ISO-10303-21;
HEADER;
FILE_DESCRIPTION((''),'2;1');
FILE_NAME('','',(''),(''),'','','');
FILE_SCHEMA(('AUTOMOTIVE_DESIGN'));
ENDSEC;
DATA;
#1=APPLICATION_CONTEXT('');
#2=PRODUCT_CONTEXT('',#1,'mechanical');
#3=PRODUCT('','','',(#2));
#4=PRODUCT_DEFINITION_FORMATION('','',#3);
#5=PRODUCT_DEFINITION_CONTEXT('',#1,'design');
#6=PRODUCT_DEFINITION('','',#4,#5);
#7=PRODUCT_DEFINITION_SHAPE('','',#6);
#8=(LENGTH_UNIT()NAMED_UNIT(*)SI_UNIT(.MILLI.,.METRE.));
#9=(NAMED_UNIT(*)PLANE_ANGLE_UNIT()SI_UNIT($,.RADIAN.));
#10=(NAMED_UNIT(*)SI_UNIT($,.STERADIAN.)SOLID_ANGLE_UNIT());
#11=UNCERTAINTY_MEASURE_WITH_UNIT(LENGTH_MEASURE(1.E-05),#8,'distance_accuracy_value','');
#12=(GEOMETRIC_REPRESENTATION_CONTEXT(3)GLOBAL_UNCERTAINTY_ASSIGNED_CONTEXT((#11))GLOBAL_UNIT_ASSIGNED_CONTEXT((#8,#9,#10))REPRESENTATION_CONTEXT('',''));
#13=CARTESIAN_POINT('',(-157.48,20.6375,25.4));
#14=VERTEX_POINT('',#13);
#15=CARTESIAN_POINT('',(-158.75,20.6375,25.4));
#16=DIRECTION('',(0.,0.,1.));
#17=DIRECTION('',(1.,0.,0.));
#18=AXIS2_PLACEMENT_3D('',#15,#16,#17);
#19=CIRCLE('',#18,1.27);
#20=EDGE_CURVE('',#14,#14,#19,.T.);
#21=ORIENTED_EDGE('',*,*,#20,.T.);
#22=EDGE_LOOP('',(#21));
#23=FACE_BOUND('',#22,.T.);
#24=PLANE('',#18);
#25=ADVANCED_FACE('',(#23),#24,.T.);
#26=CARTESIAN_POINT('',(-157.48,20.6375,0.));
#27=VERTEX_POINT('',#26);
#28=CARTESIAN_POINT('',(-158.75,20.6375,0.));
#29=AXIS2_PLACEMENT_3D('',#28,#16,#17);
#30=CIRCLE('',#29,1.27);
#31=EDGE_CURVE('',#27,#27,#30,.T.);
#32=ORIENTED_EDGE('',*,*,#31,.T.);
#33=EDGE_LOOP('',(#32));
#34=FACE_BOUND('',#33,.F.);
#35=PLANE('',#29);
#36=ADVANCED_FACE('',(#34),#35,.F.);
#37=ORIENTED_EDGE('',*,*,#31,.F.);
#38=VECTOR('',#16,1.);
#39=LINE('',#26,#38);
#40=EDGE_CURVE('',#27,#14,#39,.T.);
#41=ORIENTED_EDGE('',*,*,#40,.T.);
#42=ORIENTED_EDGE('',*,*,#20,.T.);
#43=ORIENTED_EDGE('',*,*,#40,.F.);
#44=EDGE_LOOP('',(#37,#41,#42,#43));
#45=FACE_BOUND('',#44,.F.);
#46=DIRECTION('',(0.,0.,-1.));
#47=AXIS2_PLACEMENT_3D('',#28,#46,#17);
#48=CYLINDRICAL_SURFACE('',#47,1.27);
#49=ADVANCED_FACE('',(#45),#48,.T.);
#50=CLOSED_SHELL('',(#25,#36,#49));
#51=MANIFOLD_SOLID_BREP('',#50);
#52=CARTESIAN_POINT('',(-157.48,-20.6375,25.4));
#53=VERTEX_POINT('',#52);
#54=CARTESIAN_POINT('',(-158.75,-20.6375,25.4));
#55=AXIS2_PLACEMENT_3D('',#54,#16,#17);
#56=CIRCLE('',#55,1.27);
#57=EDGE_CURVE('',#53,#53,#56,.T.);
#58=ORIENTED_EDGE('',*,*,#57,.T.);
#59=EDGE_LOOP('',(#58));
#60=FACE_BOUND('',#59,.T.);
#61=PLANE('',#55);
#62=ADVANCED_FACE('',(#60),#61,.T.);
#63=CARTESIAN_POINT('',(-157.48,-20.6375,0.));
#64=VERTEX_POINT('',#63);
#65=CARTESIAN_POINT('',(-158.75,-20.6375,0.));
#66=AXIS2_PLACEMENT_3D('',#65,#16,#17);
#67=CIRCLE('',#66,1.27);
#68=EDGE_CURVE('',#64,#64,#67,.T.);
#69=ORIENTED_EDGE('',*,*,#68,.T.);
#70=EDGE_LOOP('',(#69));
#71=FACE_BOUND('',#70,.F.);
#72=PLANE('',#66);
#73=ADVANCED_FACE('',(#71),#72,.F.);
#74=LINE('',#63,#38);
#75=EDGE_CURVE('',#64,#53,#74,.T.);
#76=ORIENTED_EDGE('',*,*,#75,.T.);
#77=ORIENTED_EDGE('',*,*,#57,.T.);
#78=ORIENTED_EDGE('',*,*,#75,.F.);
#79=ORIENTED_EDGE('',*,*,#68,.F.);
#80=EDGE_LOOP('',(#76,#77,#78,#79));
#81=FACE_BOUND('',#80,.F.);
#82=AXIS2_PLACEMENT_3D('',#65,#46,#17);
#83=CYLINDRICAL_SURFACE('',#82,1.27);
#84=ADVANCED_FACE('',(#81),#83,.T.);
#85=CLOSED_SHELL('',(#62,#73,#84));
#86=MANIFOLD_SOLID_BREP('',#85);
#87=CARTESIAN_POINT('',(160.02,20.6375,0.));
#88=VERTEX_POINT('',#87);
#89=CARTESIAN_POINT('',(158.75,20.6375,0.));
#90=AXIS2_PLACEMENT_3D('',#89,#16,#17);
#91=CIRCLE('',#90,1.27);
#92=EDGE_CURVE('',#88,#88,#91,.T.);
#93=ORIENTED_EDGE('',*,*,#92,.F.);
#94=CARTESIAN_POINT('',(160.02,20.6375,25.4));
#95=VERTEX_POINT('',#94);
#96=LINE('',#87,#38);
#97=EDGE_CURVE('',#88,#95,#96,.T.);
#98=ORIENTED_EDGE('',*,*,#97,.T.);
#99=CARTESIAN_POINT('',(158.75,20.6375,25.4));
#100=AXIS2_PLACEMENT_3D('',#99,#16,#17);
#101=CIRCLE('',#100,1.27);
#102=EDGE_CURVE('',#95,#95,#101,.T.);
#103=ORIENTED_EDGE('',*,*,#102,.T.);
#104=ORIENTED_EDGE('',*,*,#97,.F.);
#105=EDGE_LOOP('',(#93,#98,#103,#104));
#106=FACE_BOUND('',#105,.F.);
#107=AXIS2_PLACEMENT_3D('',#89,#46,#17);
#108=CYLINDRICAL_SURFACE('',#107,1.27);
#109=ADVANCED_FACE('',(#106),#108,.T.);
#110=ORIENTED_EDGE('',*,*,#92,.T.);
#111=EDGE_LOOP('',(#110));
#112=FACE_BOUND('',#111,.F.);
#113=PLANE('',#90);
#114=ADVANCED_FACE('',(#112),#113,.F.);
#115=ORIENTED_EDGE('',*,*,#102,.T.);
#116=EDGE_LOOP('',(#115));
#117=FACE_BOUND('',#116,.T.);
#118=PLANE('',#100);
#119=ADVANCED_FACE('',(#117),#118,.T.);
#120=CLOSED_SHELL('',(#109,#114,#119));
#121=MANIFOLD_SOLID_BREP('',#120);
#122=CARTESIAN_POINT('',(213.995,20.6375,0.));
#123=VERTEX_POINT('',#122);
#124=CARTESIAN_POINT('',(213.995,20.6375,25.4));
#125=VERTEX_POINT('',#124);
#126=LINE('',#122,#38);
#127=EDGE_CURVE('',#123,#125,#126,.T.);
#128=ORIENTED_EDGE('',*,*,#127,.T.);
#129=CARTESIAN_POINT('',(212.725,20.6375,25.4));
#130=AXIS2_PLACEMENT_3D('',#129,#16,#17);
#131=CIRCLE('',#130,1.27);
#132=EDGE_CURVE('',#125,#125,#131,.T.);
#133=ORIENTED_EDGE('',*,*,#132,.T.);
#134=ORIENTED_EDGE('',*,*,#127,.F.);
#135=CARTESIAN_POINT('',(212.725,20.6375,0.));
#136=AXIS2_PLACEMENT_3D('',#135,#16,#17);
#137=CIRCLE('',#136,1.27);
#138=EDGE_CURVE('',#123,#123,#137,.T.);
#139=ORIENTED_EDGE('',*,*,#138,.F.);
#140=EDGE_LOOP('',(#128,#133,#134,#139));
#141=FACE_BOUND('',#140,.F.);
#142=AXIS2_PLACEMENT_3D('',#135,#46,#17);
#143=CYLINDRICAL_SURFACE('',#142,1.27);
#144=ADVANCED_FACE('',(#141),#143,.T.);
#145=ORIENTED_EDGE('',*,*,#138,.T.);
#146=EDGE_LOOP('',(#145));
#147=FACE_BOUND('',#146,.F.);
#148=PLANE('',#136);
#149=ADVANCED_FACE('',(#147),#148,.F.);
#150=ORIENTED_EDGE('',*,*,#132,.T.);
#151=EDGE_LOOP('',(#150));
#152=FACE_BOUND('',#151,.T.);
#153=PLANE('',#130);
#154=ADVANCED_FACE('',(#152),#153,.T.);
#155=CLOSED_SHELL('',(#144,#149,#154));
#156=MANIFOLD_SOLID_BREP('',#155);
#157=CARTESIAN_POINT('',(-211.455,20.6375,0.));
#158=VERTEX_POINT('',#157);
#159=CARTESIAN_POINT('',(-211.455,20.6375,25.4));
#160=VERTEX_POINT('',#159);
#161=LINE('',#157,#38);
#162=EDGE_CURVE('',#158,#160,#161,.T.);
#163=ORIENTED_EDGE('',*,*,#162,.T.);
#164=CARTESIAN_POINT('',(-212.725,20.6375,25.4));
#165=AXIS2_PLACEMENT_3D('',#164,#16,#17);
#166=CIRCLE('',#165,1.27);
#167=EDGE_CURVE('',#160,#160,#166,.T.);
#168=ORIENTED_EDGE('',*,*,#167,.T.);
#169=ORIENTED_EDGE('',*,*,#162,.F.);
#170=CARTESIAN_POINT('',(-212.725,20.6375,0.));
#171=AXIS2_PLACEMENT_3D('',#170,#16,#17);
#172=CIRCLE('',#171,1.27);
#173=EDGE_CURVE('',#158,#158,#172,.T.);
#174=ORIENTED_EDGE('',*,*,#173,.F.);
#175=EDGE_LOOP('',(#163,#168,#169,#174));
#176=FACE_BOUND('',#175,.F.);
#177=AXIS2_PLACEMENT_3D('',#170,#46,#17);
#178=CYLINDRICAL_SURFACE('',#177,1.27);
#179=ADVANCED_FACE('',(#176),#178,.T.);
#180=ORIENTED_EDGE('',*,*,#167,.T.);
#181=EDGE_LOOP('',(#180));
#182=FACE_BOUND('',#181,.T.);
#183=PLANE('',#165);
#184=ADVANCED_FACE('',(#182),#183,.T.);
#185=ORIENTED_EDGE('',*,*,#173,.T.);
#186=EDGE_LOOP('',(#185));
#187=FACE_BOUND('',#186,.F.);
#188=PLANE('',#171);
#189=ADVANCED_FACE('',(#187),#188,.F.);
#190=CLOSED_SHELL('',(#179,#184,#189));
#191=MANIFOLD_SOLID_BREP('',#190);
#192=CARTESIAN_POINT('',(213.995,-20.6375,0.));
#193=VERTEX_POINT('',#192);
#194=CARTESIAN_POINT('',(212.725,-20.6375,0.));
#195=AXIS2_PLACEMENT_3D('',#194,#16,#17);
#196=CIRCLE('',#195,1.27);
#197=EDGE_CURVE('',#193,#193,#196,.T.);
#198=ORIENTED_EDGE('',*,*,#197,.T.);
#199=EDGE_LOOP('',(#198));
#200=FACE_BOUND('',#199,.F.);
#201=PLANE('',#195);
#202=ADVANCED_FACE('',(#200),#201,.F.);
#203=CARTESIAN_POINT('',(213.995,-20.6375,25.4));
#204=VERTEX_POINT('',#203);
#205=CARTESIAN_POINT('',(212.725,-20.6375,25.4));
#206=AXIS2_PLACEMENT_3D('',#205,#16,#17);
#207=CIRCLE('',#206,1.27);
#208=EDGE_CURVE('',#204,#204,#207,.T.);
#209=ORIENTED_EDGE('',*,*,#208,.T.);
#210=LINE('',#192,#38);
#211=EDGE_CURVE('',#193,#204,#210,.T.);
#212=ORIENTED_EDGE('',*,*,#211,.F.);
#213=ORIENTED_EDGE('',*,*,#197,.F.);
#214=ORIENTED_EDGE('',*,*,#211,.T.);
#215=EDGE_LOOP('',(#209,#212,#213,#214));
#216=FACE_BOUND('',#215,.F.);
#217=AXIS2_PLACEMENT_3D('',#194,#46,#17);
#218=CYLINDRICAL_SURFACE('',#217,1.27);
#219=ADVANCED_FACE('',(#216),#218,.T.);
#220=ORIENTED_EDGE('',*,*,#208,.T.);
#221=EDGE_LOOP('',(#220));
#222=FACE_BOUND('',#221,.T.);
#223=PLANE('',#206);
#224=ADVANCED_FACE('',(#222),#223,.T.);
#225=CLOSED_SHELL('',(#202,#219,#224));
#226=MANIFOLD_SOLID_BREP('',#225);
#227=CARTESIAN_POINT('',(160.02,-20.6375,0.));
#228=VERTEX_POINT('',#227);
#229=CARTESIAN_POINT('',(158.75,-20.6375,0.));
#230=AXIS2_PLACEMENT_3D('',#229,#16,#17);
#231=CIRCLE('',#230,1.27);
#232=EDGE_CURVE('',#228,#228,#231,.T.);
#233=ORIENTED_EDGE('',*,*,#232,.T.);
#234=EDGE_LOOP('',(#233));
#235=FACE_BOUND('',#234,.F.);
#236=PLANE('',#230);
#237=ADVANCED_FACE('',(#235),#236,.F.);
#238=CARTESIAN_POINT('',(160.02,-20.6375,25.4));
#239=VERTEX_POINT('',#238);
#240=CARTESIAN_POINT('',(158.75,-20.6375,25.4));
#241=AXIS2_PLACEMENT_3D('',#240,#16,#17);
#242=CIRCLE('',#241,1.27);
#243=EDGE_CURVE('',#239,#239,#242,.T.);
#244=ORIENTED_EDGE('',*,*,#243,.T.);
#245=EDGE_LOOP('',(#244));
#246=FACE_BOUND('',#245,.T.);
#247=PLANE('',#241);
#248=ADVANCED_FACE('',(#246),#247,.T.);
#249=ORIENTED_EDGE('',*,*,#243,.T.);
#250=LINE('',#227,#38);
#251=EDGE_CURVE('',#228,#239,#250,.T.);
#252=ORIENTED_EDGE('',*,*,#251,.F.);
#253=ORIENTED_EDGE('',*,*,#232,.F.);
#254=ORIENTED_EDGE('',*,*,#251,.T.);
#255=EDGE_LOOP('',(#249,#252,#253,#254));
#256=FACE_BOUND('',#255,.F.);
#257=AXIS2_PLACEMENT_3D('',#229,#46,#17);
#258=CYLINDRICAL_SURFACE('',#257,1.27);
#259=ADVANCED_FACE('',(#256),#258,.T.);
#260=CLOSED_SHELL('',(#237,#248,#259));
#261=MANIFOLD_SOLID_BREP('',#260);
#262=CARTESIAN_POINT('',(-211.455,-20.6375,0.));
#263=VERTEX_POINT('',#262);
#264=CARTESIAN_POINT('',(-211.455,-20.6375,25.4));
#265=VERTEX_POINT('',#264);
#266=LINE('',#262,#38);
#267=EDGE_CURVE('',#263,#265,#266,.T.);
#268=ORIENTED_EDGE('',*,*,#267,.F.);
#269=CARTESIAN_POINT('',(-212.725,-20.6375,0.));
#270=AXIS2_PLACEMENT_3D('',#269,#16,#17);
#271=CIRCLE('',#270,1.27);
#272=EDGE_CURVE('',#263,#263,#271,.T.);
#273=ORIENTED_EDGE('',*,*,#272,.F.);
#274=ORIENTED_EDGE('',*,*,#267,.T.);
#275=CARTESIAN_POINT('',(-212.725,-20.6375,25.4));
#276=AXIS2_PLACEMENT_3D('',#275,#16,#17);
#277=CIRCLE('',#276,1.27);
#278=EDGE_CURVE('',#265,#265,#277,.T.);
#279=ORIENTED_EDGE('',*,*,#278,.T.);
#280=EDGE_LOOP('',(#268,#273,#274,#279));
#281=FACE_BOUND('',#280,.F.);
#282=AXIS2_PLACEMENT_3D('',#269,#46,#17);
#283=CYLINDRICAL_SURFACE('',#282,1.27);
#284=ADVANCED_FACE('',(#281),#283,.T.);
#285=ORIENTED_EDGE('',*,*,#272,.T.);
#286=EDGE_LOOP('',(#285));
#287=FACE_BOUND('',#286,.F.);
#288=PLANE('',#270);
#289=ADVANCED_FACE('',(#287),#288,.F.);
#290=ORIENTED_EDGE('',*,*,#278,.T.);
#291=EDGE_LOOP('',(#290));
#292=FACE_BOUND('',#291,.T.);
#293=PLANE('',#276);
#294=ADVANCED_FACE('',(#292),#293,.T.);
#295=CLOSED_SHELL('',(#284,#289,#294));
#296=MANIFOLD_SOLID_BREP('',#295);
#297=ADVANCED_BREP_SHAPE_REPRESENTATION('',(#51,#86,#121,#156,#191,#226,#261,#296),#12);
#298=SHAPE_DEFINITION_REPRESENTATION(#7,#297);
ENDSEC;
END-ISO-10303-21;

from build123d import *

# Parameters (mm, degrees)
F0_R     = 1.27
F1_DEPTH = 25.4


with BuildPart() as f1:
    # F0 (on Top) → F1 (new body)
    with BuildSketch(Plane.XY):
        with Locations((158.75, 20.6375)):
            Circle(F0_R)
        with Locations((-158.75, -20.6375)):
            Circle(F0_R)
        with Locations((212.725, -20.6375)):
            Circle(F0_R)
        with Locations((212.725, 20.6375)):
            Circle(F0_R)
        with Locations((-158.75, 20.6375)):
            Circle(F0_R)
        with Locations((158.75, -20.6375)):
            Circle(F0_R)
        with Locations((-212.725, -20.6375)):
            Circle(F0_R)
        with Locations((-212.725, 20.6375)):
            Circle(F0_R)
    extrude(amount=F1_DEPTH)


solid = f1.part
